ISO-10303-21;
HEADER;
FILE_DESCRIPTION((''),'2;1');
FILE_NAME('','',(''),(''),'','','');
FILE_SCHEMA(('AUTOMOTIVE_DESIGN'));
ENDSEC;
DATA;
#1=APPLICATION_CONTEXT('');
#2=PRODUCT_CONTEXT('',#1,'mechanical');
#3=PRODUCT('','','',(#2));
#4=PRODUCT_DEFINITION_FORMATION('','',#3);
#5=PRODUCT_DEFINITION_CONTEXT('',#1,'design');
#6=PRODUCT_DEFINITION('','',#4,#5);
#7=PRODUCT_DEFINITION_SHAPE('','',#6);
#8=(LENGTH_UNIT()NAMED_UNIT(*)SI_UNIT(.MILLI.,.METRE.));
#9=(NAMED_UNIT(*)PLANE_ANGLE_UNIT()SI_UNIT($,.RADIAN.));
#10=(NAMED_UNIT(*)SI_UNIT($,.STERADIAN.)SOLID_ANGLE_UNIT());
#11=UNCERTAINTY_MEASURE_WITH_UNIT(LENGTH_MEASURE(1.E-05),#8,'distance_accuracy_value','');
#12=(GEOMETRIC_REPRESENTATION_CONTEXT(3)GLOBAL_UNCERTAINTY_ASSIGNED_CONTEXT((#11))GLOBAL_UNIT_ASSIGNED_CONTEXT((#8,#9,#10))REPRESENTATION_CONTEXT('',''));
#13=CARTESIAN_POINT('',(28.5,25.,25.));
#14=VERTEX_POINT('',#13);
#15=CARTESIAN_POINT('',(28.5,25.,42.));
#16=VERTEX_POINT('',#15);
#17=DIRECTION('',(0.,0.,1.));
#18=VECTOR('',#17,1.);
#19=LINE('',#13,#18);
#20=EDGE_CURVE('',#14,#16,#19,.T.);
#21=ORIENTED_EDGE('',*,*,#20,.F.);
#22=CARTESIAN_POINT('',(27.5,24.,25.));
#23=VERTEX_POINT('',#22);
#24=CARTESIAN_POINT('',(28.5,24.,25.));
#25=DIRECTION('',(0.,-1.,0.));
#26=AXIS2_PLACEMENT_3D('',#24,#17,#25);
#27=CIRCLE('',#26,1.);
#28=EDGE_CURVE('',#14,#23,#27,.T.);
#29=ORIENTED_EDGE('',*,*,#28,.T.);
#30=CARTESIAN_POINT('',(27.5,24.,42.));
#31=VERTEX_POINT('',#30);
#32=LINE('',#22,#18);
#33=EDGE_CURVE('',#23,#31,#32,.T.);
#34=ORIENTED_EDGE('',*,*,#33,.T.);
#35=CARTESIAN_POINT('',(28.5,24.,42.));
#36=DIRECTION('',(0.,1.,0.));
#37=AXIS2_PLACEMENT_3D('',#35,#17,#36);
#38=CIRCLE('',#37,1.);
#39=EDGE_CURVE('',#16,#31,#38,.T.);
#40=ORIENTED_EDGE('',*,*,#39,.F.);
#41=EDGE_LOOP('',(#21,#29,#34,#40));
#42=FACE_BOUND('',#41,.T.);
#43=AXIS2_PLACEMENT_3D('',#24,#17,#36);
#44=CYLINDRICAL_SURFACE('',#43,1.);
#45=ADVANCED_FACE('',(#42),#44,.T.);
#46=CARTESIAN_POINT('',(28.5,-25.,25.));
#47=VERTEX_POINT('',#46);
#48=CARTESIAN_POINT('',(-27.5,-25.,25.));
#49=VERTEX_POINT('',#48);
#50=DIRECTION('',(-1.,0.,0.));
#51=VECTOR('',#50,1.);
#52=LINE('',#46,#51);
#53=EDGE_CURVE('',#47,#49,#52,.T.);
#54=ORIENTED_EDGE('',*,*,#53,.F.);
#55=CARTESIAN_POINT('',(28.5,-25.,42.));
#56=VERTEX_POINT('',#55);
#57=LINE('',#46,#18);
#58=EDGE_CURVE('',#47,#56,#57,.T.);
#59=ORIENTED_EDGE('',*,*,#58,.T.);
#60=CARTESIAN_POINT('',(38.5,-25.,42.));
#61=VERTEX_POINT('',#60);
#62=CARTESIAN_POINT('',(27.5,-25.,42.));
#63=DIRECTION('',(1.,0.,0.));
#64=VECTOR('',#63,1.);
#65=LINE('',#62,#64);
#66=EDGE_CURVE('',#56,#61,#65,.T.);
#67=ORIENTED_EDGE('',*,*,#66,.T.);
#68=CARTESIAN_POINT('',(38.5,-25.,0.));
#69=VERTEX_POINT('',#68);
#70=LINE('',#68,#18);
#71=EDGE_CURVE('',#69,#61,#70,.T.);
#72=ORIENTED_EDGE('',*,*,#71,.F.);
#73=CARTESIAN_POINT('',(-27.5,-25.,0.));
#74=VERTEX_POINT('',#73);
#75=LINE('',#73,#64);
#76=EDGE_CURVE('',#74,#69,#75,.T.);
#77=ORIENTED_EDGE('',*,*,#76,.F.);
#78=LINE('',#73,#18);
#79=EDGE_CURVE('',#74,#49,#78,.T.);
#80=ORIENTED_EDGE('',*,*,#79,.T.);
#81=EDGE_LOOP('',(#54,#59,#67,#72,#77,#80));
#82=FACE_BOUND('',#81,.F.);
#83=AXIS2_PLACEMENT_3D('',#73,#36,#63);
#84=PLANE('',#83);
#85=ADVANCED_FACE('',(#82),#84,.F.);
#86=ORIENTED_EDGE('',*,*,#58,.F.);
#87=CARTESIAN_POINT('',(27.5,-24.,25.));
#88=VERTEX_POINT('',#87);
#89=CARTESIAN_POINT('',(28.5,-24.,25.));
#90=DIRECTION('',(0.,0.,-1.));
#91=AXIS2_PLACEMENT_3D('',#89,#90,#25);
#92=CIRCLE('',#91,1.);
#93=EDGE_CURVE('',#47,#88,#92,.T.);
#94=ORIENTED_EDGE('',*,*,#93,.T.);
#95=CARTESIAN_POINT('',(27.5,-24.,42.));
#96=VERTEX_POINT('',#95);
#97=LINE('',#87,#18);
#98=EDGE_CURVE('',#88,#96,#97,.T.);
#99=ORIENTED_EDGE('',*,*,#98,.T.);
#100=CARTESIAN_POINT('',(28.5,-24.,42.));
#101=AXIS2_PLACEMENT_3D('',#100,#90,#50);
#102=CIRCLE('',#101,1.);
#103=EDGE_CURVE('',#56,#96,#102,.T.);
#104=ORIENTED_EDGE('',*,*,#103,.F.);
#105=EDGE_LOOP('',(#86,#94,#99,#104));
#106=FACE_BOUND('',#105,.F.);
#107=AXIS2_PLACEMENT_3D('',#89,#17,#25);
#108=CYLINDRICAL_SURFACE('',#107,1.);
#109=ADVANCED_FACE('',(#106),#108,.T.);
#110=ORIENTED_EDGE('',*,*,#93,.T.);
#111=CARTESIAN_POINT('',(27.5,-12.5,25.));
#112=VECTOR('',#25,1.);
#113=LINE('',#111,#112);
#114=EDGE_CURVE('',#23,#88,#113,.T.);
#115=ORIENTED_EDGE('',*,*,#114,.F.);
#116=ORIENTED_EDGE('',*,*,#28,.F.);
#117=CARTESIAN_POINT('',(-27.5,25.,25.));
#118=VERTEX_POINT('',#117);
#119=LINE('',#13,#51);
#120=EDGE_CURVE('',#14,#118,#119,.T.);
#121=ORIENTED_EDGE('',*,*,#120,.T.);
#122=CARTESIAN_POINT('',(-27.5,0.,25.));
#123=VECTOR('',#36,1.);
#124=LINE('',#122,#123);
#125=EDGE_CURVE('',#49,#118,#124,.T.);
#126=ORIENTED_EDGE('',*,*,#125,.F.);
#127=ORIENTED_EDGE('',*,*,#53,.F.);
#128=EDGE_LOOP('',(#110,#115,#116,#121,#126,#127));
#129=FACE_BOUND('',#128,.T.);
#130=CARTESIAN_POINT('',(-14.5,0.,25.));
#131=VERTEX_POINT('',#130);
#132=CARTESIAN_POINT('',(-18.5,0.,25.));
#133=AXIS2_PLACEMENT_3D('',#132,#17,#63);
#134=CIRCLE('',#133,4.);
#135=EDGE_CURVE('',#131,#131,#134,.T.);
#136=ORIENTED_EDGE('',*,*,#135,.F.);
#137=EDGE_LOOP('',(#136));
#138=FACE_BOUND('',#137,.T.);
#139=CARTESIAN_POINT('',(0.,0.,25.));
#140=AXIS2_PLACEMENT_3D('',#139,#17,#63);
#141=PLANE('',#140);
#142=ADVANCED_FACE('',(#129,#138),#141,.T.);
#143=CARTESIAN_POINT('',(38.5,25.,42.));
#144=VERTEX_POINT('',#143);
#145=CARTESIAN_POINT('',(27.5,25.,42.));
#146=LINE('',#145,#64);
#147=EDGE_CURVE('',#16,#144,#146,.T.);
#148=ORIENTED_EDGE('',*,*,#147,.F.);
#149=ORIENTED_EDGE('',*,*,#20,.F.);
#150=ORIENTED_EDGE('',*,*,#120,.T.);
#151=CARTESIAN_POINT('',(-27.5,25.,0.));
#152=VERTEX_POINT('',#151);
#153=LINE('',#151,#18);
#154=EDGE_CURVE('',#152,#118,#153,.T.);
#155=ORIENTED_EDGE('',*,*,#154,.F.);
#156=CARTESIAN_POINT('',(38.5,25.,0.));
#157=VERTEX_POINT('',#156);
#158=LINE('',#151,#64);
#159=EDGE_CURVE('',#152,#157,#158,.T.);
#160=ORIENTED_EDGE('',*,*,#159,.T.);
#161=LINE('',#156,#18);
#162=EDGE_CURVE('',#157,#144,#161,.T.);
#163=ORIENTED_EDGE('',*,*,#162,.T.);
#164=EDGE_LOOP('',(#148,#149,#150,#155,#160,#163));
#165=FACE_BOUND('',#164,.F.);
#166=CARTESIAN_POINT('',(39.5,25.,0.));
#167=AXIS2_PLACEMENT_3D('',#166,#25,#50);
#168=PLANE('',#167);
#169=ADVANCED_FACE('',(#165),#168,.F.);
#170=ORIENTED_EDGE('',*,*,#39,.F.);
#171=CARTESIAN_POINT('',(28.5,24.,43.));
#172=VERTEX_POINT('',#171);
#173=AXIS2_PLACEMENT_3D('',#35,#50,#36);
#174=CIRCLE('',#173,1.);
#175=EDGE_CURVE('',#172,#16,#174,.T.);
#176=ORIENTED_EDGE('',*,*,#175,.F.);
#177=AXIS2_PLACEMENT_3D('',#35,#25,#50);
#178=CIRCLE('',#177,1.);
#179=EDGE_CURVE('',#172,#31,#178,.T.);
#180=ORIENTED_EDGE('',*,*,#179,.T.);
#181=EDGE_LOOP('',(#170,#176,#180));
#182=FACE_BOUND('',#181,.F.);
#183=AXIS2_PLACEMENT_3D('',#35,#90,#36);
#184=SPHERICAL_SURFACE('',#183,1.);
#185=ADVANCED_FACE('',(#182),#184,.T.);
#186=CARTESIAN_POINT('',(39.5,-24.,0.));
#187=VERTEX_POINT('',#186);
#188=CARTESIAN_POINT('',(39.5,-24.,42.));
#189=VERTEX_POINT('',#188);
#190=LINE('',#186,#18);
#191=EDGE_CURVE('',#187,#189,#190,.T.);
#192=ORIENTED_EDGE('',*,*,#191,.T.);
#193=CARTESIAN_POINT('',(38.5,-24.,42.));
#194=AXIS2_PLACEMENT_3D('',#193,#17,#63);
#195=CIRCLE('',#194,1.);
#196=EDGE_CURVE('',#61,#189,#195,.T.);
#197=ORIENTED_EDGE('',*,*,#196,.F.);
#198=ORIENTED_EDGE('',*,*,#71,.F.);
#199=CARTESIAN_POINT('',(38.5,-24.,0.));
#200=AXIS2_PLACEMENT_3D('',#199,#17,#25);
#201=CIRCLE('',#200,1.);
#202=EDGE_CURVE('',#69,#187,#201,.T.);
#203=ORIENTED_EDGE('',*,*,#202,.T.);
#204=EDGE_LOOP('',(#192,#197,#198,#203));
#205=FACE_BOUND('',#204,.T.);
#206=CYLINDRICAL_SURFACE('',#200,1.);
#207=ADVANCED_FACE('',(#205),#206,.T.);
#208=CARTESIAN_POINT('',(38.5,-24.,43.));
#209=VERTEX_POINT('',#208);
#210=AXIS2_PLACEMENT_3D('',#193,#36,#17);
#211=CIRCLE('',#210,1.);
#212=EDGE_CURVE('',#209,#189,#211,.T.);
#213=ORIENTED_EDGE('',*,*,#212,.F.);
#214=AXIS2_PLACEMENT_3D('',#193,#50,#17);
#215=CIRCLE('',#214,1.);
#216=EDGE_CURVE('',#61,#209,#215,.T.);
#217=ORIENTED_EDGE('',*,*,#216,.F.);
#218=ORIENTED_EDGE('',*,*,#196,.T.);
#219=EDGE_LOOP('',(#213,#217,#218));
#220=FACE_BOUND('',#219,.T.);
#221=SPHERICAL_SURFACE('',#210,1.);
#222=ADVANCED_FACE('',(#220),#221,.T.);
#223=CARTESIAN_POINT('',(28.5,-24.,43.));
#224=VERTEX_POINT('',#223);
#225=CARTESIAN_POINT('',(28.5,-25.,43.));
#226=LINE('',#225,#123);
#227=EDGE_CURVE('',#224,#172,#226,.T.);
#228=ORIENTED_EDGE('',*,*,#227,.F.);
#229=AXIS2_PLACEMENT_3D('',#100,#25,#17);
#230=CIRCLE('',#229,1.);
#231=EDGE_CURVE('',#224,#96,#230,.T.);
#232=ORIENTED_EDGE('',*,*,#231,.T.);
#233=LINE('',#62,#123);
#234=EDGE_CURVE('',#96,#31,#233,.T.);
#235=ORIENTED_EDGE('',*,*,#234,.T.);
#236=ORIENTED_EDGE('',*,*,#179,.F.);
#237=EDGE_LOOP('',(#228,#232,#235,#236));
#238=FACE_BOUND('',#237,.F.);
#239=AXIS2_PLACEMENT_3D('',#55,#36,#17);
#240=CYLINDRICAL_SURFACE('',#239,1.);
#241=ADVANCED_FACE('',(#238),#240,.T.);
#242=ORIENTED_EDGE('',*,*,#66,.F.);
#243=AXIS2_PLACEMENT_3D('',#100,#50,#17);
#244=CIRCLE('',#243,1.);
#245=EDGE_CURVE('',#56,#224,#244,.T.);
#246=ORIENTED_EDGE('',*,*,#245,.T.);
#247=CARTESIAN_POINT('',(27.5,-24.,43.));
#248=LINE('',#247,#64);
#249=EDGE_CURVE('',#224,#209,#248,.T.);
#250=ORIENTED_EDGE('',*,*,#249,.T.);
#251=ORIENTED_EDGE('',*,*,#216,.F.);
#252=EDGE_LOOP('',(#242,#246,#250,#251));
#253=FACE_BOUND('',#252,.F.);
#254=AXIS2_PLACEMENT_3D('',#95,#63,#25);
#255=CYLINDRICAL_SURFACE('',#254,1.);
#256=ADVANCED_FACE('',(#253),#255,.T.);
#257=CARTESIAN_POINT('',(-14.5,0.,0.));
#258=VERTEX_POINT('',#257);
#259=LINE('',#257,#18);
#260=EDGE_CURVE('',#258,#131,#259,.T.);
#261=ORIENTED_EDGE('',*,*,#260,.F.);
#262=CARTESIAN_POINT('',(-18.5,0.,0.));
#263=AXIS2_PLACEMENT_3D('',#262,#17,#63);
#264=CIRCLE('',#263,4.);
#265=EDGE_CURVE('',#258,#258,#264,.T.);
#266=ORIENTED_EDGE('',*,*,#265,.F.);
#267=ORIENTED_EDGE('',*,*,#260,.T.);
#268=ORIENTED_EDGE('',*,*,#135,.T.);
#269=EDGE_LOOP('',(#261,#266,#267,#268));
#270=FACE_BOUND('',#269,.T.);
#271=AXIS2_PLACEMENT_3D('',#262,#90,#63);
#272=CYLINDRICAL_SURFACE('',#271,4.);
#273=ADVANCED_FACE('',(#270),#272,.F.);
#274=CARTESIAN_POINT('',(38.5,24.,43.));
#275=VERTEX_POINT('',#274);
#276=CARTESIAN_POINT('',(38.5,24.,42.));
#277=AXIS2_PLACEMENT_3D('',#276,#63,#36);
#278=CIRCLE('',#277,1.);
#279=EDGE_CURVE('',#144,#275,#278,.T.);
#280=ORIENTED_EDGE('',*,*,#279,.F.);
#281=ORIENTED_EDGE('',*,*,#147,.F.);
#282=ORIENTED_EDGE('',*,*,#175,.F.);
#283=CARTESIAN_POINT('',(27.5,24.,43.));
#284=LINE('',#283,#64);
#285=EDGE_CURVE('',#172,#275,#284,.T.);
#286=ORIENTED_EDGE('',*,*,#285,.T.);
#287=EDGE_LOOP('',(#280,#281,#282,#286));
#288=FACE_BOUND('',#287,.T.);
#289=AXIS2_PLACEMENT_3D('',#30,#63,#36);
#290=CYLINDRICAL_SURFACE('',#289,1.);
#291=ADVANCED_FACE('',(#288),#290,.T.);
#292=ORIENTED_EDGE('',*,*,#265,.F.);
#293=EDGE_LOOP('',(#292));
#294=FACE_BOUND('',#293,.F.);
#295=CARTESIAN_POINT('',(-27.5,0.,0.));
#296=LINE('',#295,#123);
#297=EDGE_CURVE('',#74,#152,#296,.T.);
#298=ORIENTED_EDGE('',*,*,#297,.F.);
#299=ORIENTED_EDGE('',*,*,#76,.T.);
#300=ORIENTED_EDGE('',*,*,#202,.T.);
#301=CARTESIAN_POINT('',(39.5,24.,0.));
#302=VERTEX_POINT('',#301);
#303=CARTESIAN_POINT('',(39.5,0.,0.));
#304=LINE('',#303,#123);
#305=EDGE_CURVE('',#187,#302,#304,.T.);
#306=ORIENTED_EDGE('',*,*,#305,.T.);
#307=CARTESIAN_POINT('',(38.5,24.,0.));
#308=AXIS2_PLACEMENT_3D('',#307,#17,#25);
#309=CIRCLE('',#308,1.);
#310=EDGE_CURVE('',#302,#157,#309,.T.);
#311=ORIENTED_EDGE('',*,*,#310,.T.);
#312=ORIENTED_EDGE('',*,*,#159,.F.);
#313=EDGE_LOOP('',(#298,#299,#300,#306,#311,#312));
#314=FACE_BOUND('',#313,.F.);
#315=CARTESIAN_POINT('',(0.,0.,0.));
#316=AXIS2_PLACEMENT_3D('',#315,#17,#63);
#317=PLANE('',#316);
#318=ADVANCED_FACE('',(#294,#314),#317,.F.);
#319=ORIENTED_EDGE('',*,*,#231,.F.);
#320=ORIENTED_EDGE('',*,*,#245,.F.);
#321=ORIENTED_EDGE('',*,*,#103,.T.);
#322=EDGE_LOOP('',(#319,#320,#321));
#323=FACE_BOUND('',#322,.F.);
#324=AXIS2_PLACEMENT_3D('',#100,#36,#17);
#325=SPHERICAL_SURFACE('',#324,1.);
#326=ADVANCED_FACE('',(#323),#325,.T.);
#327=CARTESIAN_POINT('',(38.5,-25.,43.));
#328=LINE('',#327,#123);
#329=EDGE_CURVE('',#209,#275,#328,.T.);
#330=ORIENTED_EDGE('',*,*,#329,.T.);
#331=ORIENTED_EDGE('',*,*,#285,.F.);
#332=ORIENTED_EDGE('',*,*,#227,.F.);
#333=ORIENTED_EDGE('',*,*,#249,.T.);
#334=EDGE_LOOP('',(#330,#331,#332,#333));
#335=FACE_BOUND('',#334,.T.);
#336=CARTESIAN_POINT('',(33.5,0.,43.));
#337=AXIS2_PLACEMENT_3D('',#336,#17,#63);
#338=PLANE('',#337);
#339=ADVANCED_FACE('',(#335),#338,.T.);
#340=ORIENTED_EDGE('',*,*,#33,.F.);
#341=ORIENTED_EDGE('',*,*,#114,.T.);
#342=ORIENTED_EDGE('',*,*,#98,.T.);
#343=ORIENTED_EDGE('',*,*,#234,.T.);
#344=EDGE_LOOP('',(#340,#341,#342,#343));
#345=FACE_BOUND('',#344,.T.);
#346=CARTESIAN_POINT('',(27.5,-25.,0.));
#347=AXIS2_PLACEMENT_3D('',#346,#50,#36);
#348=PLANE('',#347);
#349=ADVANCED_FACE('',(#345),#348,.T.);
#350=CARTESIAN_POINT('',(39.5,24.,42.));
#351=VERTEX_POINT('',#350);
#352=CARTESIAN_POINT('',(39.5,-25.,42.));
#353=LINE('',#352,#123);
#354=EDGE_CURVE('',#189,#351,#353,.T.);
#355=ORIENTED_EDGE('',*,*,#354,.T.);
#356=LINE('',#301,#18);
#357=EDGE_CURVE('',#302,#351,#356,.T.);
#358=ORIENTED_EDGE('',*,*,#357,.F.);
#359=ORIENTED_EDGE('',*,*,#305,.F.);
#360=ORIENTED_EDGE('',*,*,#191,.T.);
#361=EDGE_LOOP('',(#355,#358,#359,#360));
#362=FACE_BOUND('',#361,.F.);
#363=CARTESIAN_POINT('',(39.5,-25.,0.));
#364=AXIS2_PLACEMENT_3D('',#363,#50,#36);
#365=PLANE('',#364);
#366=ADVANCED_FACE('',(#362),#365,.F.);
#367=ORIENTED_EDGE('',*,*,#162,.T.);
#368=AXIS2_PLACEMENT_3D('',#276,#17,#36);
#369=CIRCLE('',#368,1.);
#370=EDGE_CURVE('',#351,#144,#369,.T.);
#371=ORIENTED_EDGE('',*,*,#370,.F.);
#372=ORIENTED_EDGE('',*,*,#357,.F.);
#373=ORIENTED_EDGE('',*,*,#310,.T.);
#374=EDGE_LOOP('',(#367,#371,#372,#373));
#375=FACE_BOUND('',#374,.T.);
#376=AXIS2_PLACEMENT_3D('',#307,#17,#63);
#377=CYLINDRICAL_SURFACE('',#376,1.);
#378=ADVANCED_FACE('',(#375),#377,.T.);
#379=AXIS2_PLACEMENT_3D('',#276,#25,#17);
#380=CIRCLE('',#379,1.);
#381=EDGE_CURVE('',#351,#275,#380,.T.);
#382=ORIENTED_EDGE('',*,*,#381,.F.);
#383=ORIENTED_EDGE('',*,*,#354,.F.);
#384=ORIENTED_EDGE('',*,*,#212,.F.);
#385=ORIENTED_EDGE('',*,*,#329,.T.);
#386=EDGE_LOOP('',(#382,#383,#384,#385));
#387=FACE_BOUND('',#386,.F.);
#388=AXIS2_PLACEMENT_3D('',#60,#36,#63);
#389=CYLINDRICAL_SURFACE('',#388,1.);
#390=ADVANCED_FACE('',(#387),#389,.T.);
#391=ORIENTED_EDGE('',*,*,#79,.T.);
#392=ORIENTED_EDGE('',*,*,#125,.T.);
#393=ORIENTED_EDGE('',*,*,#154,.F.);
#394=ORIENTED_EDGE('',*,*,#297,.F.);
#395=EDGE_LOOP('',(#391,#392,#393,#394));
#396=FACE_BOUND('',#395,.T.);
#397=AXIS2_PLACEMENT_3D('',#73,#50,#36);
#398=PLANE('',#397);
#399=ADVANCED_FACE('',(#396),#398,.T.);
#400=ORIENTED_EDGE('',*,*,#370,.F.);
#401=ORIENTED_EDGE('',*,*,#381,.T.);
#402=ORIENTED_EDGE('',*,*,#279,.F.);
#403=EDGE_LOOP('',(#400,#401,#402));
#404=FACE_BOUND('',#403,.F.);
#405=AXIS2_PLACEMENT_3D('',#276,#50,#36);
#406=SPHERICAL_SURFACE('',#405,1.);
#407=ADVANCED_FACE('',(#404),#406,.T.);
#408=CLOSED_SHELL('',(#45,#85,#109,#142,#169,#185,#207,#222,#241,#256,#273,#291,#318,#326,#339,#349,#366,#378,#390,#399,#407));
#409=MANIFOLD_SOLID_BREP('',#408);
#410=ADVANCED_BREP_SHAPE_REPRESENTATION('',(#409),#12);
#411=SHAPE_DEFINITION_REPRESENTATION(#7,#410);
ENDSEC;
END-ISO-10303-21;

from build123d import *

# Parameters (mm, degrees)
F0_W     = 55
F0_H     = 50
F0_R     = 4
F0_W_2   = 12
F1_DEPTH = 25
F2_DEPTH = 43
F3_R     = 1


with BuildPart() as f1:
    # F0 (on Top) → F1 (new body)
    with BuildSketch(Plane.XY):
        Rectangle(F0_W, F0_H)
        with Locations((-18.5, 0)):
            Circle(F0_R, mode=Mode.SUBTRACT)
        with Locations((33.5, 0)):
            Rectangle(F0_W_2, F0_H)
    extrude(amount=F1_DEPTH)

    # F0 (on Top) → F2 (join)
    with BuildSketch(Plane.XY):
        with Locations((33.5, 0)):
            Rectangle(F0_W_2, F0_H)
    extrude(amount=F2_DEPTH)

    # F3
    f3_edges = [f1.edges().sort_by_distance(p)[0] for p in [
        (27.5, 25, 34),
        (33.5, 25, 43),
        (39.5, 25, 21.5),
        (39.5, 0, 43),
        (27.5, 0, 43),
        (33.5, -25, 43),
        (27.5, -25, 34),
        (39.5, -25, 21.5),
    ]]
    fillet(f3_edges, radius=F3_R)


solid = f1.part
